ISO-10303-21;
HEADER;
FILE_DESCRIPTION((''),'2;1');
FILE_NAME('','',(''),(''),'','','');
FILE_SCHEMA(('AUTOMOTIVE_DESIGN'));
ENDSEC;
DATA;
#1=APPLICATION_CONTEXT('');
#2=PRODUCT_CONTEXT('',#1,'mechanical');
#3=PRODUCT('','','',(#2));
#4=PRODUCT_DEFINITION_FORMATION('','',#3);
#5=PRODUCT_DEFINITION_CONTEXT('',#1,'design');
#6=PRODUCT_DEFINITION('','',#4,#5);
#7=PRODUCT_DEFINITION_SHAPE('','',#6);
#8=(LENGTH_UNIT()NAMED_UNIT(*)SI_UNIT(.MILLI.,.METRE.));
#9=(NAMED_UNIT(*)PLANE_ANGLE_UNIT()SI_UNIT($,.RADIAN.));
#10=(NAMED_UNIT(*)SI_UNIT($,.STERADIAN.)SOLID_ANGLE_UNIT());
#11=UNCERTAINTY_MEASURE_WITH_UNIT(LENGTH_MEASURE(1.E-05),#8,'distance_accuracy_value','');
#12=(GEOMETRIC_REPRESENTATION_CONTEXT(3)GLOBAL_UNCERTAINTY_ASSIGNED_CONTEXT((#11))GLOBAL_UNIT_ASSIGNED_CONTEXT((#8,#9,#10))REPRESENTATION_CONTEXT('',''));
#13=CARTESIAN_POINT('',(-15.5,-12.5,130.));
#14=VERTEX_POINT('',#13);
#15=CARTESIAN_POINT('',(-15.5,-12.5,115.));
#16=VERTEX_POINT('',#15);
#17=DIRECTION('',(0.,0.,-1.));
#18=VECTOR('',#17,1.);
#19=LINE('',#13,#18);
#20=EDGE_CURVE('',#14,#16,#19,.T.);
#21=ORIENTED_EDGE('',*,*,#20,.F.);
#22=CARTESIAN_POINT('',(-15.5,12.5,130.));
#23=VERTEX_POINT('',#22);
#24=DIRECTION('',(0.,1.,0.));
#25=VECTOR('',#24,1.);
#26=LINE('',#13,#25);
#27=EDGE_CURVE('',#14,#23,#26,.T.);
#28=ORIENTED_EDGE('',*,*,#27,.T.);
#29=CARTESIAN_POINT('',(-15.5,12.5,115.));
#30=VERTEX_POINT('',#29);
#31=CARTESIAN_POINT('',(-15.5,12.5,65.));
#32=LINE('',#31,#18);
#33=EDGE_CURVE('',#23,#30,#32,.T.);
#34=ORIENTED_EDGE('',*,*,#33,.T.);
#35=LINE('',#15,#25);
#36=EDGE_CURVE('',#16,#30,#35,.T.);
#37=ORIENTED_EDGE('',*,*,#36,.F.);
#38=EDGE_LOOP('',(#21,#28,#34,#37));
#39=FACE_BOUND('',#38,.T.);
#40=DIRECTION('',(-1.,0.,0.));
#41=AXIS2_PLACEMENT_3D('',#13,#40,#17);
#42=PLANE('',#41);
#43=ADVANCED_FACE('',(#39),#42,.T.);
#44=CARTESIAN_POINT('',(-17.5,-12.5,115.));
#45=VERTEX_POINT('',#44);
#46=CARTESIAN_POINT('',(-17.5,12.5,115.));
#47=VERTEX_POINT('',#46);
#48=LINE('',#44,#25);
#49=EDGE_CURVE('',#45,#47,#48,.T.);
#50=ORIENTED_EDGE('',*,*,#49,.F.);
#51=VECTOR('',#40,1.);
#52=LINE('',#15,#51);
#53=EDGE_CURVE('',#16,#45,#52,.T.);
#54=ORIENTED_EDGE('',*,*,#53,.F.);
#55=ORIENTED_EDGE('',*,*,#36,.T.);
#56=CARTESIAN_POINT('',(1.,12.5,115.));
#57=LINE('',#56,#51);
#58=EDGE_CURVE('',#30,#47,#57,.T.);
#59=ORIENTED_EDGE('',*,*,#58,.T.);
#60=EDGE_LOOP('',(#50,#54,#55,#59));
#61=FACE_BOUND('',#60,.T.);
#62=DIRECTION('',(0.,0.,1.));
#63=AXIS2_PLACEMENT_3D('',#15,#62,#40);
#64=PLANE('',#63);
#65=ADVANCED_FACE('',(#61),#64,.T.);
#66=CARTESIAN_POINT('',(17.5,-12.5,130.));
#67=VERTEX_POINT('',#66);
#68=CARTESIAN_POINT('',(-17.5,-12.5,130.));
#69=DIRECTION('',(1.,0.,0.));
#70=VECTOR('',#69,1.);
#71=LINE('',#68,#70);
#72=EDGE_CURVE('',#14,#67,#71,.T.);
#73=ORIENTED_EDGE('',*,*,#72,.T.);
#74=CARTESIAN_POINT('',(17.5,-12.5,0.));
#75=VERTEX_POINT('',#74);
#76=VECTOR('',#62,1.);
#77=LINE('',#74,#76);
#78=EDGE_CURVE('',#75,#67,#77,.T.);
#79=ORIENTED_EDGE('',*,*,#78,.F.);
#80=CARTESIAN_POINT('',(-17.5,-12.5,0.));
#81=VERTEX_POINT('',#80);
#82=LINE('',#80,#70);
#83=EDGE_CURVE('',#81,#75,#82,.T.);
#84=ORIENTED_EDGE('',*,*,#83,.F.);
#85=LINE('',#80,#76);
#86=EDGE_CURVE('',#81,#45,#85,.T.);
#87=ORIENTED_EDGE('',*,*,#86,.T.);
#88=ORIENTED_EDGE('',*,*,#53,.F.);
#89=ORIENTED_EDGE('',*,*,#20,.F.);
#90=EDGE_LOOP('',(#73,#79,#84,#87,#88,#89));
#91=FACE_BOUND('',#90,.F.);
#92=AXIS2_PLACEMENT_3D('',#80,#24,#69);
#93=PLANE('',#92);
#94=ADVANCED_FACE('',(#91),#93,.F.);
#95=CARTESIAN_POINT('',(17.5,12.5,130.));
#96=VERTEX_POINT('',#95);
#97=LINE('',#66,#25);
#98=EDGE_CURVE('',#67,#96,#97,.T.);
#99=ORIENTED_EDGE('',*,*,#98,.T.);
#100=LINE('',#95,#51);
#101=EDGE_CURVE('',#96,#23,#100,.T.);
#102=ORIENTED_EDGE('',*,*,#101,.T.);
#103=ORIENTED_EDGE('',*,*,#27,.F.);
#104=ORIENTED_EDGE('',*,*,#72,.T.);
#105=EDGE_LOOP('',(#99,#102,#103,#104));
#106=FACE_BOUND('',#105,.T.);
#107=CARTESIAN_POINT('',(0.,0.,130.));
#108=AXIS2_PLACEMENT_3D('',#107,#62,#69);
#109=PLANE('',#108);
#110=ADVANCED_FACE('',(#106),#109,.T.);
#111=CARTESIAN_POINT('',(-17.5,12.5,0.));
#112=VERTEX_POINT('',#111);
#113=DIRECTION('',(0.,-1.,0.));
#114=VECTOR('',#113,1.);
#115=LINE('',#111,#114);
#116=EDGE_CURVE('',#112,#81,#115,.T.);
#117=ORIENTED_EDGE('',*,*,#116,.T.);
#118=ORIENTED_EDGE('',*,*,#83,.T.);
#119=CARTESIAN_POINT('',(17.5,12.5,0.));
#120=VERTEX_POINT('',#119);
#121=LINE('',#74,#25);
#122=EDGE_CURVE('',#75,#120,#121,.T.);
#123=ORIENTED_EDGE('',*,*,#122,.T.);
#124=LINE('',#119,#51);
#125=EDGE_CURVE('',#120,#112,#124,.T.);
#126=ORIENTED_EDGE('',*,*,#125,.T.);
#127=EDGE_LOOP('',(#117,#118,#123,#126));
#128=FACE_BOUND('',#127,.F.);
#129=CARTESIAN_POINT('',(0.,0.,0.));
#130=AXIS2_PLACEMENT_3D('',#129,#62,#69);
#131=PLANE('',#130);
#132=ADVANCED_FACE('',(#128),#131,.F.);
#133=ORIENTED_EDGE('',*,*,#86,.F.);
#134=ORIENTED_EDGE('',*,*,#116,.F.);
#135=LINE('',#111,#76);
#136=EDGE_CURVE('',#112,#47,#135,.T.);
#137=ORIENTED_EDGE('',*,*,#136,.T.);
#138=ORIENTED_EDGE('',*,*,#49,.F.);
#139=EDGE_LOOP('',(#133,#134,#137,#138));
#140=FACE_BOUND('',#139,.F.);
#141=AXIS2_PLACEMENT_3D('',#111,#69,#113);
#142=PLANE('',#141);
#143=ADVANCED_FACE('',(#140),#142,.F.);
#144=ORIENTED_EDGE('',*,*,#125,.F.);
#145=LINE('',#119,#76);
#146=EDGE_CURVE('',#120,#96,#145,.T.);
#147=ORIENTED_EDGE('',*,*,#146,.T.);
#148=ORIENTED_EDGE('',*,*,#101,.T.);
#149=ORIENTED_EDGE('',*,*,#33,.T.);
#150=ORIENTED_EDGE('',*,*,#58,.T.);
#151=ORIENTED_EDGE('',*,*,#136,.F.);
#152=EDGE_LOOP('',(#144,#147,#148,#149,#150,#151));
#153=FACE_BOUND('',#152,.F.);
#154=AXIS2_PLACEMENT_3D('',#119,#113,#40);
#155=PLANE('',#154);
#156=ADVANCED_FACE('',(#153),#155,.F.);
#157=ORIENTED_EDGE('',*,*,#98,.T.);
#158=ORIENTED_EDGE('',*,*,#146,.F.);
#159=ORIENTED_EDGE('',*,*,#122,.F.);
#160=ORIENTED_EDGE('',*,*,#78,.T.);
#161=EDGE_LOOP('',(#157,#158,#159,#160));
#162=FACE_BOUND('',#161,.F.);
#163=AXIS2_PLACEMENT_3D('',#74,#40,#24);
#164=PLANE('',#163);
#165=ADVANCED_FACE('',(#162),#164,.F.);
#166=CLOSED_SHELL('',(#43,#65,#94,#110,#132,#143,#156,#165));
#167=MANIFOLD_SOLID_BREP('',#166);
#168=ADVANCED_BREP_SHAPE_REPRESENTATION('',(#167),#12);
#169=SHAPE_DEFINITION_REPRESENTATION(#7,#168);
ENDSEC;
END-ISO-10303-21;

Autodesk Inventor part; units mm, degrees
ref_plane "YZ Plane" through (0, 0, 0) normal (1, 0, 0) x (0, 1, 0)
ref_plane "XZ Plane" through (0, 0, 0) normal (0, 1, 0) x (-1, 0, 0)
ref_plane "XY Plane" through (0, 0, 0) normal (0, 0, 1) x (1, 0, 0)
sketch "Sketch1" plane through (0, 0, 0) normal (0, 0, 1) x (1, 0, 0)
  line L0 (-17.5, -12.5) -> (17.5, -12.5)
  line L1 (17.5, -12.5) -> (17.5, 12.5)
  line L2 (17.5, 12.5) -> (-17.5, 12.5)
  line L3 (-17.5, 12.5) -> (-17.5, -12.5)
  line L4 (-17.5, -12.5) -> (17.5, 12.5) construction
  line L5 (17.5, -12.5) -> (-17.5, 12.5) construction
  point P0 (0, 0)
  dimension "d0" = 35
  dimension "d1" = 25
extrude "Extrusion1" add sketch "Sketch1" along normal blind 130
sketch "Sketch2" plane through (-17.5, -12.5, 0) normal (0, -1, 0) x (1, 0, 0)
  line L0 (2, 115) -> (0, 115)
  line L1 (0, 115) -> (0, 130)
  line L2 (0, 130) -> (2, 130)
  line L3 (2, 130) -> (2, 115)
  line L4 (0, 0) -> (0, 130) projected
  line L5 (0, 130) -> (35, 130) projected
  point P0 (17.5, 0)
  dimension "d4" = 2
  dimension "d5" = 15
extrude "Extrusion2" cut sketch "Sketch2" against normal through all
properties part number "Distanzblock" material "Aluminum 6061"
